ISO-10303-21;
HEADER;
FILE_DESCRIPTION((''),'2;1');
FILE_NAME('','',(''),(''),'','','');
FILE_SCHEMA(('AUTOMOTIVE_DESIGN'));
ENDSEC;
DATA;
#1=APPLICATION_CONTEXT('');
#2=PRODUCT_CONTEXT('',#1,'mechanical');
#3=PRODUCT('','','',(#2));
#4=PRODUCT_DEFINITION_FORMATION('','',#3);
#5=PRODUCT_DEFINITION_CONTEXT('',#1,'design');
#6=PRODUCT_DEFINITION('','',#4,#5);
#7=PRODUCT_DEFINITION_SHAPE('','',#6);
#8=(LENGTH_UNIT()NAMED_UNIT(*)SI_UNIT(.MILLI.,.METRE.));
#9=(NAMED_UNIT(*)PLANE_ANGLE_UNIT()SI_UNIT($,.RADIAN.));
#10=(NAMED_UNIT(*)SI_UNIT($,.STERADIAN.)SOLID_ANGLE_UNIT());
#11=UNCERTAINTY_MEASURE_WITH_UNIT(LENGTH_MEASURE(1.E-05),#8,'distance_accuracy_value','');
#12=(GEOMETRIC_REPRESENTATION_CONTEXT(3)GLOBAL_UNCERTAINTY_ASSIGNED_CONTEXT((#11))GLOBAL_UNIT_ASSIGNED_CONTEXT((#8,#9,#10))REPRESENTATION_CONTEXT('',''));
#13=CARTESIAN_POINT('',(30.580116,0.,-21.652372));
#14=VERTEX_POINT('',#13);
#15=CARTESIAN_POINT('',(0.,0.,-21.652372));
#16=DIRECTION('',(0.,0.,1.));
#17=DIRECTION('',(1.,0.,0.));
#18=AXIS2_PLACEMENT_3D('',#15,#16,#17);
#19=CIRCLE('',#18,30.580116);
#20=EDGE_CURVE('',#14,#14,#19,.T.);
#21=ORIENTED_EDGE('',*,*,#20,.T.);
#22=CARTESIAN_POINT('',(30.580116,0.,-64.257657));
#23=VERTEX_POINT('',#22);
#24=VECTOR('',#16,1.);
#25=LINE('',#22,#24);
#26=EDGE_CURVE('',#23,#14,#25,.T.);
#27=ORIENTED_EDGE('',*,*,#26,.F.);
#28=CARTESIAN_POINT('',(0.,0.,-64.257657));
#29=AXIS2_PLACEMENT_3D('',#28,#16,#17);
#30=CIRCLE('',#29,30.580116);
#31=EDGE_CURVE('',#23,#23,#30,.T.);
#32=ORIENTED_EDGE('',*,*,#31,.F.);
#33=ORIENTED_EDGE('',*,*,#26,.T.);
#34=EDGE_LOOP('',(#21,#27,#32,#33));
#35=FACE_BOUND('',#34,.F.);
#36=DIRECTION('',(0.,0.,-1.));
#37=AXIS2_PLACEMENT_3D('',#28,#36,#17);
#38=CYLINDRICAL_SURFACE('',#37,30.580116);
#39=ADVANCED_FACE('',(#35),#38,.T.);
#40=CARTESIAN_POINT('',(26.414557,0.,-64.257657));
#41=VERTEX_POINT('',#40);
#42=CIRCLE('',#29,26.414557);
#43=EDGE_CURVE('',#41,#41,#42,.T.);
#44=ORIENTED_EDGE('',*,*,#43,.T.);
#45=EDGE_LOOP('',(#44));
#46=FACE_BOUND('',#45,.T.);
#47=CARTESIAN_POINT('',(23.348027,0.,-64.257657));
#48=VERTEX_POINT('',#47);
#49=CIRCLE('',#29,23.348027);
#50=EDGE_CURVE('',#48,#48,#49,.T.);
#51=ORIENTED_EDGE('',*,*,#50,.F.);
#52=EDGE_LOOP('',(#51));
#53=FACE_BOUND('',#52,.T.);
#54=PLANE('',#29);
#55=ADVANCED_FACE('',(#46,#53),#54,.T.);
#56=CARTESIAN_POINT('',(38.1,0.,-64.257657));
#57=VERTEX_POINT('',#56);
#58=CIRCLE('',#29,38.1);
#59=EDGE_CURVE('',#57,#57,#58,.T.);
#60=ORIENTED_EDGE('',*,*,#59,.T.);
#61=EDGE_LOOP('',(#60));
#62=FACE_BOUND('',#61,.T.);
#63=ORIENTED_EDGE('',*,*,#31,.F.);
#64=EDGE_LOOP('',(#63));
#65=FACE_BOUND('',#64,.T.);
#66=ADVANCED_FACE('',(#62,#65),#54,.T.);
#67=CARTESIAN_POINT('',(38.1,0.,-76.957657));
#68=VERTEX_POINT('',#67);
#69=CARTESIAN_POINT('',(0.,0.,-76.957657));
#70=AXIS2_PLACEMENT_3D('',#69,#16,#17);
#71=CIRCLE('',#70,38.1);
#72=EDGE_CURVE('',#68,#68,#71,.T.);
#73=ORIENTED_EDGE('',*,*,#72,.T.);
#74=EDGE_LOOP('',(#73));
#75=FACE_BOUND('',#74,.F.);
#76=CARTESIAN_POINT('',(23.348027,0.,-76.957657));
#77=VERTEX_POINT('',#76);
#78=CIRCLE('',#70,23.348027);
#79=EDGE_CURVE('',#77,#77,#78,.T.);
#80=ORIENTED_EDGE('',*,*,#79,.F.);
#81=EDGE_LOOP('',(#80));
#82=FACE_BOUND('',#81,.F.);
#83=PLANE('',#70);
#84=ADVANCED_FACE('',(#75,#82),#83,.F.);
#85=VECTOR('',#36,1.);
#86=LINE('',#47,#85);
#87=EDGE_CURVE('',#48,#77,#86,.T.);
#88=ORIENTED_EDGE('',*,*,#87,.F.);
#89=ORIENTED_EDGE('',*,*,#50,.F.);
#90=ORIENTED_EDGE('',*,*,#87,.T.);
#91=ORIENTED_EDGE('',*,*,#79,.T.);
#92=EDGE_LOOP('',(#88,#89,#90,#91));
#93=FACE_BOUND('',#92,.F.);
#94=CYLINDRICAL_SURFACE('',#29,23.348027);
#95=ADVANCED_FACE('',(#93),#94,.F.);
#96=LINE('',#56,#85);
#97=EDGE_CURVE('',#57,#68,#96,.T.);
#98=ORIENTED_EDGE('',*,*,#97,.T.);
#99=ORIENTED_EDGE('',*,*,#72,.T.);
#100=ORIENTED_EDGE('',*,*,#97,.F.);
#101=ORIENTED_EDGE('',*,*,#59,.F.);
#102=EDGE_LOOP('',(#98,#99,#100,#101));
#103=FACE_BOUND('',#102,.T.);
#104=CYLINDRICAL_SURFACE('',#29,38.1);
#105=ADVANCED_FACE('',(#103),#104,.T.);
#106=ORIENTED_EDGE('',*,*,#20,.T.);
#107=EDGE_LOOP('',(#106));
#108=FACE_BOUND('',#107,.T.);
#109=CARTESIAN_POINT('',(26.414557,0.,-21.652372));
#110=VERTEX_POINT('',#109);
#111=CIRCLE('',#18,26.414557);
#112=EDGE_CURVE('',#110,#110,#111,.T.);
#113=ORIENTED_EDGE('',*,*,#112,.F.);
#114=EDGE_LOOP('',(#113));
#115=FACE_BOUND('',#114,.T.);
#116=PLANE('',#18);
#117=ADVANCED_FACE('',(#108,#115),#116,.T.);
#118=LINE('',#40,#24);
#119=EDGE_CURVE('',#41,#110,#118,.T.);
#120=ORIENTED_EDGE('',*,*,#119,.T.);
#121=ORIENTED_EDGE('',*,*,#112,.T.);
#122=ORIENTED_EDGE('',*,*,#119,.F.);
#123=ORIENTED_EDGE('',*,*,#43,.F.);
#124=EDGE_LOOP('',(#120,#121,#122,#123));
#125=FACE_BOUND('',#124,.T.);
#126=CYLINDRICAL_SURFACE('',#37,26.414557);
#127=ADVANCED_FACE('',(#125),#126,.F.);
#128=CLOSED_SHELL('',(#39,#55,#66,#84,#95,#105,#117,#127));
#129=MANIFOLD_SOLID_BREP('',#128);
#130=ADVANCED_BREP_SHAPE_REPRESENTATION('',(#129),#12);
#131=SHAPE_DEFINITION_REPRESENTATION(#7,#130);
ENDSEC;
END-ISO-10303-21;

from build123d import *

# Parameters (mm, degrees)
F1_R     = 30.580116
F1_R_2   = 26.414557
F2_DEPTH = 42.605285
F3_R     = 38.1
F4_DEPTH = 12.7
F5_R     = 23.348027
F6_DEPTH = 25.4


with BuildPart() as f2:
    # F1 (on offset) → F2 (new body)
    with BuildSketch(Plane.XY.offset(-64.257657)):
        Circle(F1_R)
        Circle(F1_R_2, mode=Mode.SUBTRACT)
    extrude(amount=F2_DEPTH)

    # F3 (on offset) → F4 (join)
    with BuildSketch(Plane.XY.offset(-64.257657)):
        Circle(F3_R)
    extrude(amount=-F4_DEPTH)

    # F5 (on face) → F6 (cut)
    with BuildSketch(Plane.XY.offset(-64.257657)):
        Circle(F5_R)
    extrude(amount=-F6_DEPTH, mode=Mode.SUBTRACT)


solid = f2.part
